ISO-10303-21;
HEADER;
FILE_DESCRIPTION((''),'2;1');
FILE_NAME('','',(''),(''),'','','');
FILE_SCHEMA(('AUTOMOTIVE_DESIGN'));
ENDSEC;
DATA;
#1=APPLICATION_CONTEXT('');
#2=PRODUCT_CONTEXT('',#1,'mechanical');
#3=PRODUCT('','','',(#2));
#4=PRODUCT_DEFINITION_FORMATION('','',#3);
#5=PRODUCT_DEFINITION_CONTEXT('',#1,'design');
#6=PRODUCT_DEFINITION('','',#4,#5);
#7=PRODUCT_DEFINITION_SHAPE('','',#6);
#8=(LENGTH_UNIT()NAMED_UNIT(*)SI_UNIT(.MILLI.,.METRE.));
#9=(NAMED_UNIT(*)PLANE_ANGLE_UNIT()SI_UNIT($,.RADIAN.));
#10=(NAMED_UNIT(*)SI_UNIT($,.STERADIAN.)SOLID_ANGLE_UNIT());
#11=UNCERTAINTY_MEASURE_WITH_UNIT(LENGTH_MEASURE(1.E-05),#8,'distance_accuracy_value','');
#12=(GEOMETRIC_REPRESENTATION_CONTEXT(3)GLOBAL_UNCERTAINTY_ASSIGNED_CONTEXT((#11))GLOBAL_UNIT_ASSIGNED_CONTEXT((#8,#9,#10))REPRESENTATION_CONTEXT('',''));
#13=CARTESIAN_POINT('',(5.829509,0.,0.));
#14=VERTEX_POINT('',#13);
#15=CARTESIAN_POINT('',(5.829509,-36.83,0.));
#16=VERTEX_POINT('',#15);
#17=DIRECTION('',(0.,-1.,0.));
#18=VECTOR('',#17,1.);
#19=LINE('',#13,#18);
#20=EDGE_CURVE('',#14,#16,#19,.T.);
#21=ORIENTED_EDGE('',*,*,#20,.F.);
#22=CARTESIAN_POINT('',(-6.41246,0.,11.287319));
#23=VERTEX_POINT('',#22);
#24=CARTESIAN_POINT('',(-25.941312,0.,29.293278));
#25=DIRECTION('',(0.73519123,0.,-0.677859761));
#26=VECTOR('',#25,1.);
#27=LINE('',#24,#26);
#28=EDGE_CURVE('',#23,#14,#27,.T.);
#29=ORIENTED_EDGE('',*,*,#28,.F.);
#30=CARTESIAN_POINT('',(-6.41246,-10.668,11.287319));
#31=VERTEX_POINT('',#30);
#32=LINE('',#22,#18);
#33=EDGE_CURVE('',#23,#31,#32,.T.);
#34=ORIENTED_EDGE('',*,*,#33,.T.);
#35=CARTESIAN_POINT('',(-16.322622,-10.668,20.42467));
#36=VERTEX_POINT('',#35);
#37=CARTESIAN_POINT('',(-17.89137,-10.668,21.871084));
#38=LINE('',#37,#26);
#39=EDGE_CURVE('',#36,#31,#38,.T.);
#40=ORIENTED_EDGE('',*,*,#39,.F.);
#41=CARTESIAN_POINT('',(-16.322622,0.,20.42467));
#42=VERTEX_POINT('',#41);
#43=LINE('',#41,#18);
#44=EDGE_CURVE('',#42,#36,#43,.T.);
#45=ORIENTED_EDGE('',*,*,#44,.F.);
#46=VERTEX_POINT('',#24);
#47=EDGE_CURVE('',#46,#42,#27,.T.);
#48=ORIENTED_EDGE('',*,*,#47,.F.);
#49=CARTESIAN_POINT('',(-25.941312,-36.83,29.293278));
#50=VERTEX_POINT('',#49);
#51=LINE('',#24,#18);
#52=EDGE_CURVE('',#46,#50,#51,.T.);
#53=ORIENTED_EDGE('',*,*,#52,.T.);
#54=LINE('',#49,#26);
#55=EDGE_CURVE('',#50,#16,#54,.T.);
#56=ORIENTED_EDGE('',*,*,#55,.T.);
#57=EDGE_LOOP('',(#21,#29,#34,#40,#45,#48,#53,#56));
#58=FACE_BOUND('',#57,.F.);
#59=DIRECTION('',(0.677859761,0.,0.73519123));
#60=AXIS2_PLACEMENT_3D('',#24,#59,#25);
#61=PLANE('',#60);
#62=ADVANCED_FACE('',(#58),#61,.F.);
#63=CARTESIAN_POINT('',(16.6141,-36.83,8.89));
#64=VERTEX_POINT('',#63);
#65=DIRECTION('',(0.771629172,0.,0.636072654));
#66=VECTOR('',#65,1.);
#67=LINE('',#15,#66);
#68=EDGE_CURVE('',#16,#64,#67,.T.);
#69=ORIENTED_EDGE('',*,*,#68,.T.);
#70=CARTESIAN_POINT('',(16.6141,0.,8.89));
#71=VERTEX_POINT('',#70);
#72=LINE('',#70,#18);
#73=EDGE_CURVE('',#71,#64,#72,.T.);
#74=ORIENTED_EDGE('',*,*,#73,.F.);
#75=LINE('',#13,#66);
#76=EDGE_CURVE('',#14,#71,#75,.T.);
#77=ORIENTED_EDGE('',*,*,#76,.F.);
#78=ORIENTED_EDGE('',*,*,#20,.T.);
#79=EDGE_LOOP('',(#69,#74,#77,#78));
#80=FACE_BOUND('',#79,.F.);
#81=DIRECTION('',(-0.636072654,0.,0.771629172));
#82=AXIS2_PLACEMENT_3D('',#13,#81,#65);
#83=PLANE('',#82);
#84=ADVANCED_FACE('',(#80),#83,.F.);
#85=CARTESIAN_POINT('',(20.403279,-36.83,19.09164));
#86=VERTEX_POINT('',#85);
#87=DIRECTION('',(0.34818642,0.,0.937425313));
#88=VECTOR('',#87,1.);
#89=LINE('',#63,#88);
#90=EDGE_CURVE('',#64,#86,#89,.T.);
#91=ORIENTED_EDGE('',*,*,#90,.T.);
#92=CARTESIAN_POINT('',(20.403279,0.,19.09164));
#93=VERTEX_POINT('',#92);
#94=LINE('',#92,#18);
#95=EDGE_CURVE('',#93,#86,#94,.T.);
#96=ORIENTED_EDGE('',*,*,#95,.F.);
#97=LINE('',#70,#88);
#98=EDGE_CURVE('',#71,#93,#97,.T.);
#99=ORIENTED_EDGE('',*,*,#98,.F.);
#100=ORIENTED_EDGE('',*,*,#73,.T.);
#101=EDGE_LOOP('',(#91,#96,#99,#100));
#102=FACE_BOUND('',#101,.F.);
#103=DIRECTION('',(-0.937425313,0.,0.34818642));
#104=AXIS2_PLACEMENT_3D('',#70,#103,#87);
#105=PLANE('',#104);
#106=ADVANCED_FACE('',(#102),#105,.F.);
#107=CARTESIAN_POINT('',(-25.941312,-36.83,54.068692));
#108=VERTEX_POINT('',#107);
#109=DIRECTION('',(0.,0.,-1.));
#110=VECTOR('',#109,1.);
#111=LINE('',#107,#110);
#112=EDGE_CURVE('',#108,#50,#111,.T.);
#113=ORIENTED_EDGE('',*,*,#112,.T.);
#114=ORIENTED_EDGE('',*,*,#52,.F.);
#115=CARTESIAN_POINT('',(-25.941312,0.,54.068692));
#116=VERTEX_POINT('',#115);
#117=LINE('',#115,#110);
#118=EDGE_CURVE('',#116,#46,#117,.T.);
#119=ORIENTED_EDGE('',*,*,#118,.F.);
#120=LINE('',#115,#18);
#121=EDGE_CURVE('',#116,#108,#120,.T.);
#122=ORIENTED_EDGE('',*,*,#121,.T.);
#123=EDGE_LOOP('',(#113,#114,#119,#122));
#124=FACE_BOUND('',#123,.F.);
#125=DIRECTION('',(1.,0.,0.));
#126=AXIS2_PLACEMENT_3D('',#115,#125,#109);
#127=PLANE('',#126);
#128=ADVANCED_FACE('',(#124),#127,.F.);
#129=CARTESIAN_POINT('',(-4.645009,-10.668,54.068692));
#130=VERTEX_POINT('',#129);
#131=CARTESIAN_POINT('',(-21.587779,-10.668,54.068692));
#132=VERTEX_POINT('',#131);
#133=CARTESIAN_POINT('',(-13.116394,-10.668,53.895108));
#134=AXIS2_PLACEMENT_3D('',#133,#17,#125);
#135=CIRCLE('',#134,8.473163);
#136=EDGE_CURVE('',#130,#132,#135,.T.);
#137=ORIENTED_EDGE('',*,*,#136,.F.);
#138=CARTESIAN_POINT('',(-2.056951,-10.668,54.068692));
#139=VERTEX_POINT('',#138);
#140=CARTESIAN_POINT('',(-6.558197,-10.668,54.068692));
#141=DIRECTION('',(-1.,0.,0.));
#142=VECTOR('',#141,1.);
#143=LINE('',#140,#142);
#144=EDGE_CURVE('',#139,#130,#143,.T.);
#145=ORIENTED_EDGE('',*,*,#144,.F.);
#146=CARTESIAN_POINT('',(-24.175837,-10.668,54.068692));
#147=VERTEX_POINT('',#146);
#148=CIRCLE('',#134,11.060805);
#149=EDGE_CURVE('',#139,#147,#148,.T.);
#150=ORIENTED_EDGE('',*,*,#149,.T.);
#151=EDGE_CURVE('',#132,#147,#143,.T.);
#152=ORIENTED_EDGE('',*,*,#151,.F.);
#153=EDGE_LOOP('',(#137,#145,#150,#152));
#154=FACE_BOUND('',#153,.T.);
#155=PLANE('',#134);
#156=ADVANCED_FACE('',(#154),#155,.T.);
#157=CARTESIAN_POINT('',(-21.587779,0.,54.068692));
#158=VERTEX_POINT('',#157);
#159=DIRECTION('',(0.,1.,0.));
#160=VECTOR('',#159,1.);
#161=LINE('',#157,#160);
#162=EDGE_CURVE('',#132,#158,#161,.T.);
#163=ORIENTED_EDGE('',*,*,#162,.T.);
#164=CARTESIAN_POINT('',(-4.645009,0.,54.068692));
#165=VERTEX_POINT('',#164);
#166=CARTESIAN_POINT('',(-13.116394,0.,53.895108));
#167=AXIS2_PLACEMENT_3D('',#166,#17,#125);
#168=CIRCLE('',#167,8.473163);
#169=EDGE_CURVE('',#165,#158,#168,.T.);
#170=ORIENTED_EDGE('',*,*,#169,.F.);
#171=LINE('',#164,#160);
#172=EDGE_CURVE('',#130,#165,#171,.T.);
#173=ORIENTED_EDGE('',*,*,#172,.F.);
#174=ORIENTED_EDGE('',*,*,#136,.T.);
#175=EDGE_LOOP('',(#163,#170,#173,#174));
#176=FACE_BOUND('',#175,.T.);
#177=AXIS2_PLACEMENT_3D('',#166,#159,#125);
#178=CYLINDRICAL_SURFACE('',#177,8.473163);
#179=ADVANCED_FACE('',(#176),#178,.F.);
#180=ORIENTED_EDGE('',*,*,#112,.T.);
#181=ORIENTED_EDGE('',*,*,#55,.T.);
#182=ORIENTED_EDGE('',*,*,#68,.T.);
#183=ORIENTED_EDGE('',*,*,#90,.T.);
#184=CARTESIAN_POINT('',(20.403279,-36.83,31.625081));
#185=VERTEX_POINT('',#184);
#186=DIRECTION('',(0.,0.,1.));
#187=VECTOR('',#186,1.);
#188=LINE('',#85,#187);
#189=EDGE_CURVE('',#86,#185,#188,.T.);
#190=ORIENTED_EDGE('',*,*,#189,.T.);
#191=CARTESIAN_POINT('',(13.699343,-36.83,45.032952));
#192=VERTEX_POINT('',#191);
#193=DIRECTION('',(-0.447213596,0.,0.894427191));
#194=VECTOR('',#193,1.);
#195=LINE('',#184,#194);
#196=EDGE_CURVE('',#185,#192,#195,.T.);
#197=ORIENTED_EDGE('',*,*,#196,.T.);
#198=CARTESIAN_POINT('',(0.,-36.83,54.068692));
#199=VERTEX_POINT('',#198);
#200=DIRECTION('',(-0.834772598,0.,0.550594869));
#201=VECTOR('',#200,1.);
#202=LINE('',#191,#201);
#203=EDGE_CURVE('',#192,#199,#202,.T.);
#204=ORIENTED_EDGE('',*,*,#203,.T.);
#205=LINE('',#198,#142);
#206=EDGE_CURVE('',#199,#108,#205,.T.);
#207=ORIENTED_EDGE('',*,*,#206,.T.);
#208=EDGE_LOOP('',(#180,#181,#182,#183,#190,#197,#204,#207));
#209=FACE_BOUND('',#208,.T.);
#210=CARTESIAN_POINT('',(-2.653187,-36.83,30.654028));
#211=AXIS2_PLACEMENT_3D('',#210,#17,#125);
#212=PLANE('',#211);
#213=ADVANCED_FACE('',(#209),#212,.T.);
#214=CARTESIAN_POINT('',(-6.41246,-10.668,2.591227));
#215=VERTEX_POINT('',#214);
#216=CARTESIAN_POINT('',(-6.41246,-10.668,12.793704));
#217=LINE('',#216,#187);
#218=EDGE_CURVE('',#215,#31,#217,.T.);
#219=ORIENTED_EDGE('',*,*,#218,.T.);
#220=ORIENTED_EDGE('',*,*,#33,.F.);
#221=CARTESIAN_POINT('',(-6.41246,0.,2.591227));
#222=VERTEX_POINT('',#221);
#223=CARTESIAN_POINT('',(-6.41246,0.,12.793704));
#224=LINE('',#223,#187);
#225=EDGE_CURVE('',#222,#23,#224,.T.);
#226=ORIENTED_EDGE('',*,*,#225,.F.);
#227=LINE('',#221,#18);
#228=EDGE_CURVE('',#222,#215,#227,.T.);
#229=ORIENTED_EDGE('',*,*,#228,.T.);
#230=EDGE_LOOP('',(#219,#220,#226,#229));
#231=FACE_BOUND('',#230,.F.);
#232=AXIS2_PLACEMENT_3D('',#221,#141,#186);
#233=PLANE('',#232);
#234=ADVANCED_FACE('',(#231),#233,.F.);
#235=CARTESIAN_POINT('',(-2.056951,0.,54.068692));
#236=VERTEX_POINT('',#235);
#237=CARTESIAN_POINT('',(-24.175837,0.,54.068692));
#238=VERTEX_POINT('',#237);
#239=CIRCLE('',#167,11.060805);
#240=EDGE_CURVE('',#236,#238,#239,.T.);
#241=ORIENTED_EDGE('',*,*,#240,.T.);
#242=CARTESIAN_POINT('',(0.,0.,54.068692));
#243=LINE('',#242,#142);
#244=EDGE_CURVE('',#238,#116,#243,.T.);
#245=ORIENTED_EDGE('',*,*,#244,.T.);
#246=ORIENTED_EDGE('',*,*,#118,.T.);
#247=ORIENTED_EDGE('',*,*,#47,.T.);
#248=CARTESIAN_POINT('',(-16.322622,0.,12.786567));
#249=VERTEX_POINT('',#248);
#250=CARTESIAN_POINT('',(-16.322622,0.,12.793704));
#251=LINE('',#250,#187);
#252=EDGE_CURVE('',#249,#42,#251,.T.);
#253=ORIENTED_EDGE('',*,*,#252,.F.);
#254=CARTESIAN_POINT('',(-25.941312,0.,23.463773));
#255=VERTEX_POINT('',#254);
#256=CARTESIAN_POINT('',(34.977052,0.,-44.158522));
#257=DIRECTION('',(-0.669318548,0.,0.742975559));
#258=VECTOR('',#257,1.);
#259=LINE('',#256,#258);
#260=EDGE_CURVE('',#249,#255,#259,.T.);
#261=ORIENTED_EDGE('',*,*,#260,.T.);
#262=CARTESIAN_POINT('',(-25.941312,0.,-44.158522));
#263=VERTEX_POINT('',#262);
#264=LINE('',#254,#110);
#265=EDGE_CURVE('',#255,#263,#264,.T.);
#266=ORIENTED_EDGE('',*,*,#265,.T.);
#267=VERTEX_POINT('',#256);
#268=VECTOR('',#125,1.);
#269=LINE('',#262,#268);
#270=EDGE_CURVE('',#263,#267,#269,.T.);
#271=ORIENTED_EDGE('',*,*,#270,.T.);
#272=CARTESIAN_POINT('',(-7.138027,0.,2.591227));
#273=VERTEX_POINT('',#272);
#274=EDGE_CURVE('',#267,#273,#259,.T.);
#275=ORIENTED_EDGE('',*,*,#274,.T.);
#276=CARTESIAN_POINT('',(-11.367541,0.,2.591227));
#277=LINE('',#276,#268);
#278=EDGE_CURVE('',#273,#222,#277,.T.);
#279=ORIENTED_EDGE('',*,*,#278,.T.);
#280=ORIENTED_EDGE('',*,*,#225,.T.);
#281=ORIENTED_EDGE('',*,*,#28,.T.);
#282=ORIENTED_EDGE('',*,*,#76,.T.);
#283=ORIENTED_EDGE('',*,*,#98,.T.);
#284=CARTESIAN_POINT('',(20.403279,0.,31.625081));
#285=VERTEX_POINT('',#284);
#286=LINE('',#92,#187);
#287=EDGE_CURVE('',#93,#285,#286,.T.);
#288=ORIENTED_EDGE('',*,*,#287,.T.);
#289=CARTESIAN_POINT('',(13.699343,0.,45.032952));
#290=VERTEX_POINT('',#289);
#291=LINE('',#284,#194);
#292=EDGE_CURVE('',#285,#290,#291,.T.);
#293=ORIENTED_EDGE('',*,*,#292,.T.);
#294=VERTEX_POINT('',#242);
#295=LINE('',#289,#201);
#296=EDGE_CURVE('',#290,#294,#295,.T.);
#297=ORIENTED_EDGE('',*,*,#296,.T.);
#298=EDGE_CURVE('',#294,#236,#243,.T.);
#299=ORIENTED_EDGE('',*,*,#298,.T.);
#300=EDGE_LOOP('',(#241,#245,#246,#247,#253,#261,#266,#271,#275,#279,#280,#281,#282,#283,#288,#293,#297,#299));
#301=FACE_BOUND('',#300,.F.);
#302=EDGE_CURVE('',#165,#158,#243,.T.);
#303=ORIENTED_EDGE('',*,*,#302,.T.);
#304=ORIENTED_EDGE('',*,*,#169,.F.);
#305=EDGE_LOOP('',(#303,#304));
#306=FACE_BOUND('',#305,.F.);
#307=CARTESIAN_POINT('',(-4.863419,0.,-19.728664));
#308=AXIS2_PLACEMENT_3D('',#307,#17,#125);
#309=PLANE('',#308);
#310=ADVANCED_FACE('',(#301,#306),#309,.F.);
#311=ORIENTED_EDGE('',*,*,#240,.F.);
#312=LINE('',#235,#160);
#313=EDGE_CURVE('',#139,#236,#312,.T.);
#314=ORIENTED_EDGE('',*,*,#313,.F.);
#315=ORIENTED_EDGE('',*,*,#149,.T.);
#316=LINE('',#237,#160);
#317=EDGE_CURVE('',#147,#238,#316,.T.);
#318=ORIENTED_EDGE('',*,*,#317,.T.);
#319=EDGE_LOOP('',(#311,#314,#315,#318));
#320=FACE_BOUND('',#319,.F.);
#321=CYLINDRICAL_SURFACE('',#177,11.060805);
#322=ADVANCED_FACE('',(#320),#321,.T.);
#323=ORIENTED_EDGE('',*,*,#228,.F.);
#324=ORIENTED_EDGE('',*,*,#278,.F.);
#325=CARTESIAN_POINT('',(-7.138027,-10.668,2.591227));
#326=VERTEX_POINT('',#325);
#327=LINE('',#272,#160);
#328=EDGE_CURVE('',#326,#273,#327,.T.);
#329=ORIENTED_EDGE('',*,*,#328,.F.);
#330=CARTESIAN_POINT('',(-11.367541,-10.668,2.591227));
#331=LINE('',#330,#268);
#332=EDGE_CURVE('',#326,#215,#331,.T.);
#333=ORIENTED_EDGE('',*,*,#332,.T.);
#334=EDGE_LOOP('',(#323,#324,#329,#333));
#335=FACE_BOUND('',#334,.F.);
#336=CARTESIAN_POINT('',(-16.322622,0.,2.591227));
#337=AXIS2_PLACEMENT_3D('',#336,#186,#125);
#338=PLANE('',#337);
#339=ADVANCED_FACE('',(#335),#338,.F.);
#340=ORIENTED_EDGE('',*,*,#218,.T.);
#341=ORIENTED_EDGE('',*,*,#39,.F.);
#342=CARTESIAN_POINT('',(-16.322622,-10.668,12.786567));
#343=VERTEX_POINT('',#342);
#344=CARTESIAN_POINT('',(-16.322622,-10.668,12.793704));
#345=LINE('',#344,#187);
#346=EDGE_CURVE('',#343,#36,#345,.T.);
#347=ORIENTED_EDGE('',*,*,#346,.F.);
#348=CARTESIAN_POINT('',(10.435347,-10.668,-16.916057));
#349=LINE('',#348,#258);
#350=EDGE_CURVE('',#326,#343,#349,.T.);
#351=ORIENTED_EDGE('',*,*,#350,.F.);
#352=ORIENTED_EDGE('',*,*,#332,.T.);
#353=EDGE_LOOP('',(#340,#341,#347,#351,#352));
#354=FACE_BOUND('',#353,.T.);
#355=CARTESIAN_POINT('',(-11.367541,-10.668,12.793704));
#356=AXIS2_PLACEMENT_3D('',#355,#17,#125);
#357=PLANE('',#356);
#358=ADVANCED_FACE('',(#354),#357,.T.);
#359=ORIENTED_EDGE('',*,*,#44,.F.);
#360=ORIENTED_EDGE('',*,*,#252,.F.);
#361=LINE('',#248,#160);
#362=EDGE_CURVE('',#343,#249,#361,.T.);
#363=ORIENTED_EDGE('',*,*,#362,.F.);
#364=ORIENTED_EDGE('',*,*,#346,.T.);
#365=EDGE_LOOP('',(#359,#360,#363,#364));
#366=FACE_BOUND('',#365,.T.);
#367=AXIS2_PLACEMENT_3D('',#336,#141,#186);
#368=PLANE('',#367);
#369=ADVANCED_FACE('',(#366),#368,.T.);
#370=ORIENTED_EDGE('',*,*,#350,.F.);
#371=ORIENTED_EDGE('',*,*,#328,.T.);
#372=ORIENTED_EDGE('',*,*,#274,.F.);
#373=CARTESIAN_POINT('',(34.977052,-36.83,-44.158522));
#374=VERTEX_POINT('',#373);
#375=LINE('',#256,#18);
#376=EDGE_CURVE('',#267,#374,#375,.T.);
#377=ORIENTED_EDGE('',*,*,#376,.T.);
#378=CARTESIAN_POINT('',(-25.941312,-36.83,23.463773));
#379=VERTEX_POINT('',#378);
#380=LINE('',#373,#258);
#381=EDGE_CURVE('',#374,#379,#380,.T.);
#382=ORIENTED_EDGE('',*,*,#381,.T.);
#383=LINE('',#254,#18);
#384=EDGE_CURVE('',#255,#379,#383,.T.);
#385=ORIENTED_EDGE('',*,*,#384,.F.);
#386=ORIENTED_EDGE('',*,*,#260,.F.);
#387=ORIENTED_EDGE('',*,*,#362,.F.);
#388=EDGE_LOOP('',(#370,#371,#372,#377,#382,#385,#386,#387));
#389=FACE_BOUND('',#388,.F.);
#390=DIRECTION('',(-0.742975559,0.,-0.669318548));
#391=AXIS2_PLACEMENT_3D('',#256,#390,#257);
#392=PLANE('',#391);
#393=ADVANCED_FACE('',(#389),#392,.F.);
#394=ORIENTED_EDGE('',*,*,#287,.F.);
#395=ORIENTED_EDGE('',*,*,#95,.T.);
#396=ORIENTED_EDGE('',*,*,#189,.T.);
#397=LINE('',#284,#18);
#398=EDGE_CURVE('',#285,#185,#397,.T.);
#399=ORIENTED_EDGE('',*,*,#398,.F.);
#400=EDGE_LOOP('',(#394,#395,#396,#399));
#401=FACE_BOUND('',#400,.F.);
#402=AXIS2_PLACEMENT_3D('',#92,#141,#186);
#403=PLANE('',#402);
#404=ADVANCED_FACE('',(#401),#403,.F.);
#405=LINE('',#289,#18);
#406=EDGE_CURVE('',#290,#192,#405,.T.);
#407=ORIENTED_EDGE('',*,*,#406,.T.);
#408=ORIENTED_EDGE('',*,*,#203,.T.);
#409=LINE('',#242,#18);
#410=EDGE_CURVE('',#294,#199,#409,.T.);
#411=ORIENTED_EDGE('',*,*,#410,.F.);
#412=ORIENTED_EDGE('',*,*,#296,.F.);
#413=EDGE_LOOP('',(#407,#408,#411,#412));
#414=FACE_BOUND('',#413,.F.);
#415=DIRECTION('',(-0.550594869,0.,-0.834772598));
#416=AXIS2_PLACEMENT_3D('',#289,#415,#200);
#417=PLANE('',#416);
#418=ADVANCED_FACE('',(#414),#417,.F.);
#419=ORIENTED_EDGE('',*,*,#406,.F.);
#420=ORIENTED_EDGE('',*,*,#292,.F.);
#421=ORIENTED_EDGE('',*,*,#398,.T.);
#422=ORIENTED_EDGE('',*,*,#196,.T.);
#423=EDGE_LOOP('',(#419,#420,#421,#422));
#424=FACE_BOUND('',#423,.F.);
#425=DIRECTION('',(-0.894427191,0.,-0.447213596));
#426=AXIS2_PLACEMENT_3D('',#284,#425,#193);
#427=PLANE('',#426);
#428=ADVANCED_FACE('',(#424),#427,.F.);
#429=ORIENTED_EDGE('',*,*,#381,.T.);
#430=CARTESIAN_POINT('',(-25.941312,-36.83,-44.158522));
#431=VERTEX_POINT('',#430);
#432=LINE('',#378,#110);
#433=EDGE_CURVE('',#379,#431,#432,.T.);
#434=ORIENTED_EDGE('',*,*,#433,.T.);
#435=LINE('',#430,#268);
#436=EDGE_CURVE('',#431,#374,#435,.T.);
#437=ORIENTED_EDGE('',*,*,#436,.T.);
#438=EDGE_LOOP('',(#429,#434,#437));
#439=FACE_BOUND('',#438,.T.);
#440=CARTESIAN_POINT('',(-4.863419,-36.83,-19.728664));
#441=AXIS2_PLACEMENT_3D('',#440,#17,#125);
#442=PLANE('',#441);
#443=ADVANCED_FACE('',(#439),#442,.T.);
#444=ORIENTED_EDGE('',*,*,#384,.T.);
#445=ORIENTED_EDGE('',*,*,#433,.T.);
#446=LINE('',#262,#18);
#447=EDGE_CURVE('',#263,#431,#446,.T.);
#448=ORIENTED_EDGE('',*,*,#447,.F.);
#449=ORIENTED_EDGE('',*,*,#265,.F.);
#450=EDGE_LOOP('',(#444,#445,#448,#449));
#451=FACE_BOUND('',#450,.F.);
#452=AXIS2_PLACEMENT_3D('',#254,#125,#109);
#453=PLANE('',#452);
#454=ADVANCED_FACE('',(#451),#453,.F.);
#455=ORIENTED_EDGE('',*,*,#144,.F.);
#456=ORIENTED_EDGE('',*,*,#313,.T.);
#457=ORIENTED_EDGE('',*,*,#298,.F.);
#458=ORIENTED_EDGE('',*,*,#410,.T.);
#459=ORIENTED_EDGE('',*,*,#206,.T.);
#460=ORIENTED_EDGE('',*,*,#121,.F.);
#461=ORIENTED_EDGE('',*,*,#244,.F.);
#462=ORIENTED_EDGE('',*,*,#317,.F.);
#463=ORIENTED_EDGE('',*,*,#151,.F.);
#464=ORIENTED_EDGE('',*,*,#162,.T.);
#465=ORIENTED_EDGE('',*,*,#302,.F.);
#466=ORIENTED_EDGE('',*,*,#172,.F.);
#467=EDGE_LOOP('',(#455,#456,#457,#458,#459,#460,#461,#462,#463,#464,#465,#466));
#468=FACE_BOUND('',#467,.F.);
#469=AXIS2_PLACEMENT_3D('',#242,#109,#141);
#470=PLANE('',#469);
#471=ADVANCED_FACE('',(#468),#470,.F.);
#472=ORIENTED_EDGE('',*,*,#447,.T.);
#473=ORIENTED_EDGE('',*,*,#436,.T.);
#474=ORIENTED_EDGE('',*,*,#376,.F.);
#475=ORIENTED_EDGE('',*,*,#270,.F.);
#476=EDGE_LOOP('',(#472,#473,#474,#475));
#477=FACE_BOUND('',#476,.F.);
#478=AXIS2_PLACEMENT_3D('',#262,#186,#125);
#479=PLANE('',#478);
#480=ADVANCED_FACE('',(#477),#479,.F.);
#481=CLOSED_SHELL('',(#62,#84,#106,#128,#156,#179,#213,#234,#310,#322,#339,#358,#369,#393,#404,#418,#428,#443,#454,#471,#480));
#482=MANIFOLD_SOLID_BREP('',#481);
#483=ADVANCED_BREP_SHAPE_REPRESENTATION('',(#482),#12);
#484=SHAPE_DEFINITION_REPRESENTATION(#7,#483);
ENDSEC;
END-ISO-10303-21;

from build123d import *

# Parameters (mm, degrees)
F1_DEPTH = 36.83
F2_W     = 9.9101620726
F2_H     = 20.4049523454
F2_R     = 11.0608053269
F2_R_2   = 8.4731634686
F3_DEPTH = 10.668


with BuildPart() as f1:
    # F0 (on Front) → F1 (new body)
    with BuildSketch(Plane.XZ):
        Polygon((34.9770523608, -44.1585220397), (-25.9413123131, 23.4637726098), (-25.9413123131, -44.1585220397), align=None)
    extrude(amount=F1_DEPTH)



with BuildPart() as f1b:
    # F0 (on Front) → F1, piece 2 (new body)
    with BuildSketch(Plane.XZ):
        Polygon((-25.9413123131, 54.0686920285), (-25.9413123131, 29.2932782322), (5.829508882, 0), (16.6140999645, 8.890000172), (20.4032789916, 19.0916396677), (20.4032789916, 31.6250808537), (13.699343428, 45.0329519808), (0, 54.0686920285), align=None)
    extrude(amount=F1_DEPTH)


with BuildPart() as f1_1:
    add(f1.part)

    add(f1b.part)  # F3 merges F1b
    # F2 (on Front) → F3 (join)
    with BuildSketch(Plane.XZ):
        with Locations((-11.3675410394, 12.7937035868)):
            Rectangle(F2_W, F2_H)
        with Locations((-13.1163941696, 53.8951084018)):
            Circle(F2_R)
        with Locations((-13.1163941696, 53.8951084018)):
            Circle(F2_R_2, mode=Mode.SUBTRACT)
    extrude(amount=F3_DEPTH)


solid = f1_1.part
